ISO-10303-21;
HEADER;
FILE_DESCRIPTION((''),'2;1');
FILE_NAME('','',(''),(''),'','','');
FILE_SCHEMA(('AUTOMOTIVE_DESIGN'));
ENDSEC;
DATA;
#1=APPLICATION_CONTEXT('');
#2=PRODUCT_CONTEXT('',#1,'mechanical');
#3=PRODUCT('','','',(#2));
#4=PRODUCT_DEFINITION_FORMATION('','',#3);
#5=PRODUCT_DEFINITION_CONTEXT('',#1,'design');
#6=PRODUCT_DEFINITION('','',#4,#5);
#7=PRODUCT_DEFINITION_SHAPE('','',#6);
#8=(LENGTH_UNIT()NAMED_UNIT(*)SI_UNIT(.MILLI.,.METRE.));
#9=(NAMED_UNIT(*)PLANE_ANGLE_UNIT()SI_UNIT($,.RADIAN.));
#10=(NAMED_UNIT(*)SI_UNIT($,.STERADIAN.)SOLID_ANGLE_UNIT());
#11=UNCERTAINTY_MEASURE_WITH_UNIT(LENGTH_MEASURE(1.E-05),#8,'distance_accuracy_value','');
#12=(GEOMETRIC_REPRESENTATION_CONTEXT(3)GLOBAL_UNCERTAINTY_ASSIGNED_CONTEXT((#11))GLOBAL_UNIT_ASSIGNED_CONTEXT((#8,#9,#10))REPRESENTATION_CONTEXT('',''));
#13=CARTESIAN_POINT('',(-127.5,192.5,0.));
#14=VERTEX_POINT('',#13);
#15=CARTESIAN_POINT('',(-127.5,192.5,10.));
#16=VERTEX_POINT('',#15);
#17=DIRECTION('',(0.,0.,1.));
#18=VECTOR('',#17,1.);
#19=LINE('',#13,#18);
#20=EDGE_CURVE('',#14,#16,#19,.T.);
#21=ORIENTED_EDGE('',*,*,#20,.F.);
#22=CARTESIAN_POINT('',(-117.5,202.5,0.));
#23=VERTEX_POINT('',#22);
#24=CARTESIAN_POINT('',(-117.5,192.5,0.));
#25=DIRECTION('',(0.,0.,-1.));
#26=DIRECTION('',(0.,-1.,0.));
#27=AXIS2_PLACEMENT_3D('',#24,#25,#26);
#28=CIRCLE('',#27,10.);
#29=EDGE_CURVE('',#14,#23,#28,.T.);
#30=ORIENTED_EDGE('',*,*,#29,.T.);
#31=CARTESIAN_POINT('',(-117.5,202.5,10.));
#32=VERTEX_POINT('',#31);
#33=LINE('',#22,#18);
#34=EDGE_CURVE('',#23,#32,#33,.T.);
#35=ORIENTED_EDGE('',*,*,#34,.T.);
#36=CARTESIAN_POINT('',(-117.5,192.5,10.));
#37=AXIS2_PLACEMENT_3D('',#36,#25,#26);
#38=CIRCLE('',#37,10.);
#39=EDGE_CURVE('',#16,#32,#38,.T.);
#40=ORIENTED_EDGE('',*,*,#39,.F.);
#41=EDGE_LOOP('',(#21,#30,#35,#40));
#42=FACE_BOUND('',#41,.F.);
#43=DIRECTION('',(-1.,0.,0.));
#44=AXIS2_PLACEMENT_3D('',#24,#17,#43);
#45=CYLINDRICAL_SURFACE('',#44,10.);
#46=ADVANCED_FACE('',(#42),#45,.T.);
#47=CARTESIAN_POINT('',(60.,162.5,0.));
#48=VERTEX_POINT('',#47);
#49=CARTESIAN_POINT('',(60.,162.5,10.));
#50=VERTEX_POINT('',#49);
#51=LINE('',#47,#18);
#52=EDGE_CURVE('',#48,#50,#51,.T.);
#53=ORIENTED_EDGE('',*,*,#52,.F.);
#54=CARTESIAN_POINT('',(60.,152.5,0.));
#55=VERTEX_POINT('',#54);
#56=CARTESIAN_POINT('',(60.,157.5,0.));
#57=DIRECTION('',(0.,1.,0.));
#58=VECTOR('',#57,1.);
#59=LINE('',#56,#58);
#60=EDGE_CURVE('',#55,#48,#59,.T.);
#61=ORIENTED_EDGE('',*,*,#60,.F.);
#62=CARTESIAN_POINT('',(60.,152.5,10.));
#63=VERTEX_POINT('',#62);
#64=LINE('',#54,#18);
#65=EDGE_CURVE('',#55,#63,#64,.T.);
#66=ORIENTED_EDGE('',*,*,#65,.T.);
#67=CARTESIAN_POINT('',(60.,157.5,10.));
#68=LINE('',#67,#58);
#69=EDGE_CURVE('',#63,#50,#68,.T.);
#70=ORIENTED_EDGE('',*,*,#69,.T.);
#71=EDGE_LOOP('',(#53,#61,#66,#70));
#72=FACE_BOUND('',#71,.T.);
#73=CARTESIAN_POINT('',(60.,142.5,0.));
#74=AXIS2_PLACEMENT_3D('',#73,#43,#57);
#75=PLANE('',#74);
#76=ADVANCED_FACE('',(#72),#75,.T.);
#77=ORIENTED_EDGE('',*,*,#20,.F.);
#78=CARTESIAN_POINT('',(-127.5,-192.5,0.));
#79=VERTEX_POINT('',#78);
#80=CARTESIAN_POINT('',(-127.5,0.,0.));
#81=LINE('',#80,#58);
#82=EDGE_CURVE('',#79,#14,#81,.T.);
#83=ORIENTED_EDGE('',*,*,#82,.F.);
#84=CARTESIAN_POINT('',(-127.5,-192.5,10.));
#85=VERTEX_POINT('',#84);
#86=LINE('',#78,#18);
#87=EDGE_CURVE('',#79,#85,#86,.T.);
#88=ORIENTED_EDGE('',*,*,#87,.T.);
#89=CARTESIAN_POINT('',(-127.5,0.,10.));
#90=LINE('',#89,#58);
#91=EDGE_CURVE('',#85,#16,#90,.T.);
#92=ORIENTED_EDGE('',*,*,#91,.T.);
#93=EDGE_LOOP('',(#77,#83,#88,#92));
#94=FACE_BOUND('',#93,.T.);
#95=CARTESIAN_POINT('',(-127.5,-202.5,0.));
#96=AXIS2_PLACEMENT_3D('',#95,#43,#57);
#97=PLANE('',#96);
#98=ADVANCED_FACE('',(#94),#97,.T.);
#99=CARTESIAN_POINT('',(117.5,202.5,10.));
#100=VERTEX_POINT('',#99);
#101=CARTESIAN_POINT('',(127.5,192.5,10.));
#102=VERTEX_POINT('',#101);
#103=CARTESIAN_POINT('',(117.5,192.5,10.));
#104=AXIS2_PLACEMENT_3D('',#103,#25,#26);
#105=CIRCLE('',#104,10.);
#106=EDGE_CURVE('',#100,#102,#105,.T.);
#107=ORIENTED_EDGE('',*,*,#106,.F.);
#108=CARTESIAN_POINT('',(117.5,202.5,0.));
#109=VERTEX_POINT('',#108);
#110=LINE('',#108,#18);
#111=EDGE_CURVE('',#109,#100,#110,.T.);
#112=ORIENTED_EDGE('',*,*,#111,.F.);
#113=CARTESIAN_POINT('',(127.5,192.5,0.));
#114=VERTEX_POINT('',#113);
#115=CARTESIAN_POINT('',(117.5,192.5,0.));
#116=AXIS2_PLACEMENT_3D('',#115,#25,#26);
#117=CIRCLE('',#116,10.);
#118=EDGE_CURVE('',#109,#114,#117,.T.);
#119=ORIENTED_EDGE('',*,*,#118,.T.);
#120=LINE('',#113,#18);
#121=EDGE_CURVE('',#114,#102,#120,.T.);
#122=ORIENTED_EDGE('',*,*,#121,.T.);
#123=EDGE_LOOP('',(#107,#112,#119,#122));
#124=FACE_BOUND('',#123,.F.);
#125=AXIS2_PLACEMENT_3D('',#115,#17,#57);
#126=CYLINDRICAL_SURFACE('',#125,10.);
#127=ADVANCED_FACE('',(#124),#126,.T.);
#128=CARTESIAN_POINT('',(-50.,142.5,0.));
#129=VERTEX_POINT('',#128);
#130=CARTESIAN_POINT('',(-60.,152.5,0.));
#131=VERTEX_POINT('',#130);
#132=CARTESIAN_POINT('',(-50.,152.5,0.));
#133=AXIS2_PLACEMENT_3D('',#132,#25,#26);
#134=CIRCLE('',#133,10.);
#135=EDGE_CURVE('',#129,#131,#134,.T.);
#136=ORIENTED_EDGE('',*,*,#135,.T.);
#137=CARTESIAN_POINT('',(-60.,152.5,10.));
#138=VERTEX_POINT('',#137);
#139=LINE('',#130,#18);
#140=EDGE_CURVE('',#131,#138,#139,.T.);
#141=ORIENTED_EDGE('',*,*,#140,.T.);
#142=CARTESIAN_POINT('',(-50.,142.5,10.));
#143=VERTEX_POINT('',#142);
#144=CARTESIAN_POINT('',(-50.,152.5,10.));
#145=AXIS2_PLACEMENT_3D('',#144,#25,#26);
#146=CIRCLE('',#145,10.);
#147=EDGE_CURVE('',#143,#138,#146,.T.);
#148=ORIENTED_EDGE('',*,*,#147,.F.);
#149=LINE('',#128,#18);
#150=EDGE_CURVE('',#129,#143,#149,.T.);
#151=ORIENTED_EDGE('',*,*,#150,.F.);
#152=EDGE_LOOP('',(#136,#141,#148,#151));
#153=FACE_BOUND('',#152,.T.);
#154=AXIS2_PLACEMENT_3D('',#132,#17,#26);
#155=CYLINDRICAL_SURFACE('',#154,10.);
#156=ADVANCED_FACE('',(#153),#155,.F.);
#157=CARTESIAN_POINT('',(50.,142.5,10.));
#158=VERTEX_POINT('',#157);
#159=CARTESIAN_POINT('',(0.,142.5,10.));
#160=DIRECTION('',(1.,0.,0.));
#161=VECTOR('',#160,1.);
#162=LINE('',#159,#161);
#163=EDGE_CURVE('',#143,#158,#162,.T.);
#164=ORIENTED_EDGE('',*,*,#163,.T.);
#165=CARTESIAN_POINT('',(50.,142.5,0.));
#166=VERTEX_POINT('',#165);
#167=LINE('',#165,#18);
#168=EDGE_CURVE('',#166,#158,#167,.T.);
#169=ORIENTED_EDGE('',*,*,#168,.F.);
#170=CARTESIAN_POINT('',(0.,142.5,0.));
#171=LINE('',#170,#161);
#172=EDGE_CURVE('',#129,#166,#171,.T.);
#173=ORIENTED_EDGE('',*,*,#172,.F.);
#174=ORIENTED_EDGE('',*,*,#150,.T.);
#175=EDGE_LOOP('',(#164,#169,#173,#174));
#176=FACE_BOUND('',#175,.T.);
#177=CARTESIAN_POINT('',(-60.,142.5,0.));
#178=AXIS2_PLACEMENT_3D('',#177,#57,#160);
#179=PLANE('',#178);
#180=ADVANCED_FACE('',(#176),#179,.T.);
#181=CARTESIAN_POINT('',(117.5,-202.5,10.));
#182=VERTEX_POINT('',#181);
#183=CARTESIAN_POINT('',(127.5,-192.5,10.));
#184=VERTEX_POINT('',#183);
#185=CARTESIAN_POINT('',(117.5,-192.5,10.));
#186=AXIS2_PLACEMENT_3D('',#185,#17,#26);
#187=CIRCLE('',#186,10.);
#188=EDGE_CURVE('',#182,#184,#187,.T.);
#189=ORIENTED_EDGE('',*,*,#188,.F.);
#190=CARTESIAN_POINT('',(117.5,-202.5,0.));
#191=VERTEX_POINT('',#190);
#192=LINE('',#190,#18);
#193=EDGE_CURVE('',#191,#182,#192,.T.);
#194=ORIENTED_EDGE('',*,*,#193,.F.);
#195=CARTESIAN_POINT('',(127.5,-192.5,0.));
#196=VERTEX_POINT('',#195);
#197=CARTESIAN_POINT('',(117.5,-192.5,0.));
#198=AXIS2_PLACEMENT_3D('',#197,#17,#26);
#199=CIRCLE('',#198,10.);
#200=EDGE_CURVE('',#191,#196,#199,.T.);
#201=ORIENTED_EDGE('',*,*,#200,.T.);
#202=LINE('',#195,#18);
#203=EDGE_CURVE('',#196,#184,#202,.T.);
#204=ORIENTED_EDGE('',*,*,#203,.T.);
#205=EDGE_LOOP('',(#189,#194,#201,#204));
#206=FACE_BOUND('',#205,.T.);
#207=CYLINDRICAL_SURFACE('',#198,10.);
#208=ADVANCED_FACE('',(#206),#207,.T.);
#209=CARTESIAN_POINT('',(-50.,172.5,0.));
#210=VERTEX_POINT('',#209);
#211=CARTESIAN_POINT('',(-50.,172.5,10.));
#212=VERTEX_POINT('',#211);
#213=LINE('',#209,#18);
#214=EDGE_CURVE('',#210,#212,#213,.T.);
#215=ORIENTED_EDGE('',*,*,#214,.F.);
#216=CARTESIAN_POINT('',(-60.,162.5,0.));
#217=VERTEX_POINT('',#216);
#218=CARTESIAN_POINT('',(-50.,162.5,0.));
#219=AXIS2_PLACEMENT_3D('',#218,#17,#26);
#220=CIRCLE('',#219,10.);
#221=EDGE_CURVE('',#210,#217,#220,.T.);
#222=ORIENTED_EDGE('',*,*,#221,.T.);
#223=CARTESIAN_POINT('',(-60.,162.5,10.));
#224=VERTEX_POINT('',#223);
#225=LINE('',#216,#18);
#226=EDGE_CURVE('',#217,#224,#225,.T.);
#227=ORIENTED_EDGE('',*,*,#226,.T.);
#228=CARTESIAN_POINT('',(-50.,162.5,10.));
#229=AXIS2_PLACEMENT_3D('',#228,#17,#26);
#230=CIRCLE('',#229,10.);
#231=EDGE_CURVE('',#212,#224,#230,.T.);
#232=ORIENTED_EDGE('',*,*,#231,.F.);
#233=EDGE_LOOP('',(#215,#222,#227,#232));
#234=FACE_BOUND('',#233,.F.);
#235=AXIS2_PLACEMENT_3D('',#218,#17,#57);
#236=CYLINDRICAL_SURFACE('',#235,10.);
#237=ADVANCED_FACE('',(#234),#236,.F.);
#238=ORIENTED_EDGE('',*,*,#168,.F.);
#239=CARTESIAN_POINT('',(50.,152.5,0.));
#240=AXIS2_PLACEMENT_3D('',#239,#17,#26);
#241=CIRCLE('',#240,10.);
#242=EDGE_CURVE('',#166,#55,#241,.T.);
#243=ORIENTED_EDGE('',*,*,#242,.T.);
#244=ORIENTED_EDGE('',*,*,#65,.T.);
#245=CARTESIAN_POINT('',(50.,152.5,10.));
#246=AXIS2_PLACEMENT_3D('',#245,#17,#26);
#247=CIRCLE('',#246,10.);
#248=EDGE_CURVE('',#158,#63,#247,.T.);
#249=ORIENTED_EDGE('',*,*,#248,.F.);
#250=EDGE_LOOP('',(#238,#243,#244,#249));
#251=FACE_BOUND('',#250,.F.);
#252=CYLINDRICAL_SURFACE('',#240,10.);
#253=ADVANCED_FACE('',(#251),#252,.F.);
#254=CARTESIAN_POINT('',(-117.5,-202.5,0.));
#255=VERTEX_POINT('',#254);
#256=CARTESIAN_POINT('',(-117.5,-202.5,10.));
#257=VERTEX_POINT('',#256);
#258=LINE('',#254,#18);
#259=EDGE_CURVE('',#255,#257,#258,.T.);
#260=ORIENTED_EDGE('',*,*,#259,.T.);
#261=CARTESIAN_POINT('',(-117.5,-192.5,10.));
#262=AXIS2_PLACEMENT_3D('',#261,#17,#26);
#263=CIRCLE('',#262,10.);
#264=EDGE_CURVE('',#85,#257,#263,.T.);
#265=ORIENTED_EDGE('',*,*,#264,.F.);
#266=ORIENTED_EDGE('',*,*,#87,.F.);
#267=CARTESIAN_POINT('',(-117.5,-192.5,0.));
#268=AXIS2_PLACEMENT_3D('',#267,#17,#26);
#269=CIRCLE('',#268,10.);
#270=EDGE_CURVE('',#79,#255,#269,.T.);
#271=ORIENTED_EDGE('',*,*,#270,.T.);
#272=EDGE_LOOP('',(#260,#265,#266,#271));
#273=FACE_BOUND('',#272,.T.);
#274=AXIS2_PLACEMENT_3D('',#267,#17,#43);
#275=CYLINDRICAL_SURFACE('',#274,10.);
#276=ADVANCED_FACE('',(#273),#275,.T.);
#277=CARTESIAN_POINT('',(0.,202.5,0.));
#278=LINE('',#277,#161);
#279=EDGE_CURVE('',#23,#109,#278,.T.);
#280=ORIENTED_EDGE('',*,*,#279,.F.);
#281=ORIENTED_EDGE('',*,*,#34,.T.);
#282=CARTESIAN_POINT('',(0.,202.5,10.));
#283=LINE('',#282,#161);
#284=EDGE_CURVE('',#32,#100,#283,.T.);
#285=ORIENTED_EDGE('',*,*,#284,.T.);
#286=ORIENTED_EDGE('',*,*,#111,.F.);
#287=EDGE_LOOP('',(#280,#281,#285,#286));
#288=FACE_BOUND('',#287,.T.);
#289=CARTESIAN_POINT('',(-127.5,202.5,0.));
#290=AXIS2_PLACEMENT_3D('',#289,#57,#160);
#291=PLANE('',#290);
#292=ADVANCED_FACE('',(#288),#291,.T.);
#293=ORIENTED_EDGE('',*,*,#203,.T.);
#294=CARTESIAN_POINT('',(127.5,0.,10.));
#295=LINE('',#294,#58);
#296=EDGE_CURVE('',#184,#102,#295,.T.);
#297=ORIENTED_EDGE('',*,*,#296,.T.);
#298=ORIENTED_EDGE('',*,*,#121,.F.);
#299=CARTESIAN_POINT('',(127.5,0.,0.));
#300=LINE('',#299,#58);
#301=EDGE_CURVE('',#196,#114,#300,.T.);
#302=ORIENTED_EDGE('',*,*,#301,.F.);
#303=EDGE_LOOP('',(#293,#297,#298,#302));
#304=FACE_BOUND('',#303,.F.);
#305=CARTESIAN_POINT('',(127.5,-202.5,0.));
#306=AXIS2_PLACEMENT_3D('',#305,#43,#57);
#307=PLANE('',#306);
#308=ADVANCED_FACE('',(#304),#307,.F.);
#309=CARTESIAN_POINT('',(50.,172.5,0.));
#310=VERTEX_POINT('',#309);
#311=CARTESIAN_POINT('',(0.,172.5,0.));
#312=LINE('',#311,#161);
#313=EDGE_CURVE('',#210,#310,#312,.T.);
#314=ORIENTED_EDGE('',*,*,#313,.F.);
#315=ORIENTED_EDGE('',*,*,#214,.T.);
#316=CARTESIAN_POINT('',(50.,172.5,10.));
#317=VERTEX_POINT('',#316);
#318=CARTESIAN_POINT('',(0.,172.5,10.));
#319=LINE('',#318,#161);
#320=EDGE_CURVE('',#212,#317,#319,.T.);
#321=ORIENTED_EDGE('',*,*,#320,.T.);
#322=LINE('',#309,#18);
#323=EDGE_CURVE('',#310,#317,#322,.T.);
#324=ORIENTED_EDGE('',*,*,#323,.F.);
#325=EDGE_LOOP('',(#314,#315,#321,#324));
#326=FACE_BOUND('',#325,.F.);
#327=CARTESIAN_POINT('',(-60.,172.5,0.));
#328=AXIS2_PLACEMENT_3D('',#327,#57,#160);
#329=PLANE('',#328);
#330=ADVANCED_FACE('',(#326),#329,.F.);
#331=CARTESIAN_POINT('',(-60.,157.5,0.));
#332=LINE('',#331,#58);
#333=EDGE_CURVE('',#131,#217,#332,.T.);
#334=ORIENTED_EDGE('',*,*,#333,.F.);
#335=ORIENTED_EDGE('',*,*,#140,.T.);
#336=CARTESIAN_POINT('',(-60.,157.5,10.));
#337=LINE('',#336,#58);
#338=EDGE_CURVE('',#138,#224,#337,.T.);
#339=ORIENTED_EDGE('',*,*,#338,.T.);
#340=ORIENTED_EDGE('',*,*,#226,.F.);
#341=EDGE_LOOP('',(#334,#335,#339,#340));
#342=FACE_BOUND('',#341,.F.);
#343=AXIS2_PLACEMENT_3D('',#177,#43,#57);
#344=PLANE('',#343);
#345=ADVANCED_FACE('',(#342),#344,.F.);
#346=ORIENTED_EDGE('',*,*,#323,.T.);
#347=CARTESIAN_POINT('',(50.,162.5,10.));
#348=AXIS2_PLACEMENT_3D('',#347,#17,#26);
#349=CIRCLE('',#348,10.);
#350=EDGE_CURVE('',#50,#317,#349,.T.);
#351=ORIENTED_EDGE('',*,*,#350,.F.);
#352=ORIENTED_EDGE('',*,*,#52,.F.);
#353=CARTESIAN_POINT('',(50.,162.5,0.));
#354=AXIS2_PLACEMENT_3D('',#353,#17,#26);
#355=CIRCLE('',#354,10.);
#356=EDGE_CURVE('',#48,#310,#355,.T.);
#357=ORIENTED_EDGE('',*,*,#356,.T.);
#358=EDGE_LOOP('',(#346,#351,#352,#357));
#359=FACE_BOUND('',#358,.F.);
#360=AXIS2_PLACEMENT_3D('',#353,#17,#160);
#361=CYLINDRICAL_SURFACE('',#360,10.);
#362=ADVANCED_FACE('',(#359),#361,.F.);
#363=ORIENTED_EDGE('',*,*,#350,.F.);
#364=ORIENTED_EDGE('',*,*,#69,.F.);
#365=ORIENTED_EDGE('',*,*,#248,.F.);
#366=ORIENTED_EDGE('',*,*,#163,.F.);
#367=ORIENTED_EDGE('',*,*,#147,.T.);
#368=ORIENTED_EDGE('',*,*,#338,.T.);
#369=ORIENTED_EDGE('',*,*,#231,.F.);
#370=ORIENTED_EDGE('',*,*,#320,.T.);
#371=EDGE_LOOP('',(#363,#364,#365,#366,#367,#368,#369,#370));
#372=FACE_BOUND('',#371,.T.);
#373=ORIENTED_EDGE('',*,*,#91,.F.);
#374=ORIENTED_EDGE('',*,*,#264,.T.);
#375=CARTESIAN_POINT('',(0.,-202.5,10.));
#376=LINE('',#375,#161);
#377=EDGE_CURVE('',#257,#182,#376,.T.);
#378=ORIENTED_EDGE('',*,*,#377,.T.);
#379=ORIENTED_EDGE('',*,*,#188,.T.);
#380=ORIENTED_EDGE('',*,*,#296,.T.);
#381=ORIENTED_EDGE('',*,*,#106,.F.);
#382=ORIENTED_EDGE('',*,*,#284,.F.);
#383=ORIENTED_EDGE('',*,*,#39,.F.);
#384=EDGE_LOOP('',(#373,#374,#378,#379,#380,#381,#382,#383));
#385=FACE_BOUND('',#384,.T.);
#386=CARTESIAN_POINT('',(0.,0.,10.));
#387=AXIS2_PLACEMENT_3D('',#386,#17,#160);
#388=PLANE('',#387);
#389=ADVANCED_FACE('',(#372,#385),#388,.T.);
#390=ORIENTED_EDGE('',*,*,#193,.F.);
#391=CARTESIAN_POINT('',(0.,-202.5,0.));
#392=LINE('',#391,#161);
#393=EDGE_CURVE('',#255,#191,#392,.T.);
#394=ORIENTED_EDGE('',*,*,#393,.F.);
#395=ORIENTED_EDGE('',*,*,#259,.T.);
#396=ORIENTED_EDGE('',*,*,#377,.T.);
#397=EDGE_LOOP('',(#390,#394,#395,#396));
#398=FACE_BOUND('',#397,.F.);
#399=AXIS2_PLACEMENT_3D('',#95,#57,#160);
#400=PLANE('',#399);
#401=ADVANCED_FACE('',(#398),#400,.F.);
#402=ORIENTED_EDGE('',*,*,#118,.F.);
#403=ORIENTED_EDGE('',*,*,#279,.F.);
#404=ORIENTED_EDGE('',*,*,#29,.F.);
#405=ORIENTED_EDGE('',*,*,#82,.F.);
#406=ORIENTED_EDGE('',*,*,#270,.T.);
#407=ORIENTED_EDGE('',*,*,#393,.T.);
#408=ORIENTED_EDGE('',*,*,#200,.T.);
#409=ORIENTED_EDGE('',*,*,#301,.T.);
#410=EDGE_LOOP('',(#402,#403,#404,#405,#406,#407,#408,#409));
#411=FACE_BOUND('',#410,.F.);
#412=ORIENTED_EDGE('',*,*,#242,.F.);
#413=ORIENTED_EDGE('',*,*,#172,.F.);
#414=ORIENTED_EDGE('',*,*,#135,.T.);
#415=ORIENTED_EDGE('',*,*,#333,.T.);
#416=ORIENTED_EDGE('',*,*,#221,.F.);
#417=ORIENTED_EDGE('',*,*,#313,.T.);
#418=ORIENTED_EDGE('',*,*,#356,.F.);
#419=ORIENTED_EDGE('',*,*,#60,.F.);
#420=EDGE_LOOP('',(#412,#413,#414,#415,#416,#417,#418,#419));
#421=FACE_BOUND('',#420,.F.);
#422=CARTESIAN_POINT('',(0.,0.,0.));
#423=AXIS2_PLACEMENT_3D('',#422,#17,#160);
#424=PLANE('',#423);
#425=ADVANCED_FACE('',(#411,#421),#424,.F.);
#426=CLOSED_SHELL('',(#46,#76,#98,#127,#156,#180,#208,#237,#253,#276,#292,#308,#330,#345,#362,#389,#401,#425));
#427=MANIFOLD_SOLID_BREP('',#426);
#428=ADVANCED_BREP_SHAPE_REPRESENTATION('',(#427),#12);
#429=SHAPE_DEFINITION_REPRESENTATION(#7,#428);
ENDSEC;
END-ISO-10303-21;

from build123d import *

# Parameters (mm, degrees)
F0_W     = 255
F0_H     = 405
F0_W_2   = 120
F0_H_2   = 30
F1_DEPTH = 10
F2_R     = 10


with BuildPart() as f1:
    # F0 (on Top) → F1 (new body)
    with BuildSketch(Plane.XY):
        Rectangle(F0_W, F0_H)
        with Locations((0, 157.5)):
            Rectangle(F0_W_2, F0_H_2, mode=Mode.SUBTRACT)
    extrude(amount=F1_DEPTH)

    # F2
    f2_edges = [f1.edges().sort_by_distance(p)[0] for p in [
        (-127.5, 202.5, 5),
        (127.5, 202.5, 5),
        (60, 142.5, 5),
        (60, 172.5, 5),
        (-60, 172.5, 5),
        (-60, 142.5, 5),
        (127.5, -202.5, 5),
        (-127.5, -202.5, 5),
    ]]
    fillet(f2_edges, radius=F2_R)


solid = f1.part
